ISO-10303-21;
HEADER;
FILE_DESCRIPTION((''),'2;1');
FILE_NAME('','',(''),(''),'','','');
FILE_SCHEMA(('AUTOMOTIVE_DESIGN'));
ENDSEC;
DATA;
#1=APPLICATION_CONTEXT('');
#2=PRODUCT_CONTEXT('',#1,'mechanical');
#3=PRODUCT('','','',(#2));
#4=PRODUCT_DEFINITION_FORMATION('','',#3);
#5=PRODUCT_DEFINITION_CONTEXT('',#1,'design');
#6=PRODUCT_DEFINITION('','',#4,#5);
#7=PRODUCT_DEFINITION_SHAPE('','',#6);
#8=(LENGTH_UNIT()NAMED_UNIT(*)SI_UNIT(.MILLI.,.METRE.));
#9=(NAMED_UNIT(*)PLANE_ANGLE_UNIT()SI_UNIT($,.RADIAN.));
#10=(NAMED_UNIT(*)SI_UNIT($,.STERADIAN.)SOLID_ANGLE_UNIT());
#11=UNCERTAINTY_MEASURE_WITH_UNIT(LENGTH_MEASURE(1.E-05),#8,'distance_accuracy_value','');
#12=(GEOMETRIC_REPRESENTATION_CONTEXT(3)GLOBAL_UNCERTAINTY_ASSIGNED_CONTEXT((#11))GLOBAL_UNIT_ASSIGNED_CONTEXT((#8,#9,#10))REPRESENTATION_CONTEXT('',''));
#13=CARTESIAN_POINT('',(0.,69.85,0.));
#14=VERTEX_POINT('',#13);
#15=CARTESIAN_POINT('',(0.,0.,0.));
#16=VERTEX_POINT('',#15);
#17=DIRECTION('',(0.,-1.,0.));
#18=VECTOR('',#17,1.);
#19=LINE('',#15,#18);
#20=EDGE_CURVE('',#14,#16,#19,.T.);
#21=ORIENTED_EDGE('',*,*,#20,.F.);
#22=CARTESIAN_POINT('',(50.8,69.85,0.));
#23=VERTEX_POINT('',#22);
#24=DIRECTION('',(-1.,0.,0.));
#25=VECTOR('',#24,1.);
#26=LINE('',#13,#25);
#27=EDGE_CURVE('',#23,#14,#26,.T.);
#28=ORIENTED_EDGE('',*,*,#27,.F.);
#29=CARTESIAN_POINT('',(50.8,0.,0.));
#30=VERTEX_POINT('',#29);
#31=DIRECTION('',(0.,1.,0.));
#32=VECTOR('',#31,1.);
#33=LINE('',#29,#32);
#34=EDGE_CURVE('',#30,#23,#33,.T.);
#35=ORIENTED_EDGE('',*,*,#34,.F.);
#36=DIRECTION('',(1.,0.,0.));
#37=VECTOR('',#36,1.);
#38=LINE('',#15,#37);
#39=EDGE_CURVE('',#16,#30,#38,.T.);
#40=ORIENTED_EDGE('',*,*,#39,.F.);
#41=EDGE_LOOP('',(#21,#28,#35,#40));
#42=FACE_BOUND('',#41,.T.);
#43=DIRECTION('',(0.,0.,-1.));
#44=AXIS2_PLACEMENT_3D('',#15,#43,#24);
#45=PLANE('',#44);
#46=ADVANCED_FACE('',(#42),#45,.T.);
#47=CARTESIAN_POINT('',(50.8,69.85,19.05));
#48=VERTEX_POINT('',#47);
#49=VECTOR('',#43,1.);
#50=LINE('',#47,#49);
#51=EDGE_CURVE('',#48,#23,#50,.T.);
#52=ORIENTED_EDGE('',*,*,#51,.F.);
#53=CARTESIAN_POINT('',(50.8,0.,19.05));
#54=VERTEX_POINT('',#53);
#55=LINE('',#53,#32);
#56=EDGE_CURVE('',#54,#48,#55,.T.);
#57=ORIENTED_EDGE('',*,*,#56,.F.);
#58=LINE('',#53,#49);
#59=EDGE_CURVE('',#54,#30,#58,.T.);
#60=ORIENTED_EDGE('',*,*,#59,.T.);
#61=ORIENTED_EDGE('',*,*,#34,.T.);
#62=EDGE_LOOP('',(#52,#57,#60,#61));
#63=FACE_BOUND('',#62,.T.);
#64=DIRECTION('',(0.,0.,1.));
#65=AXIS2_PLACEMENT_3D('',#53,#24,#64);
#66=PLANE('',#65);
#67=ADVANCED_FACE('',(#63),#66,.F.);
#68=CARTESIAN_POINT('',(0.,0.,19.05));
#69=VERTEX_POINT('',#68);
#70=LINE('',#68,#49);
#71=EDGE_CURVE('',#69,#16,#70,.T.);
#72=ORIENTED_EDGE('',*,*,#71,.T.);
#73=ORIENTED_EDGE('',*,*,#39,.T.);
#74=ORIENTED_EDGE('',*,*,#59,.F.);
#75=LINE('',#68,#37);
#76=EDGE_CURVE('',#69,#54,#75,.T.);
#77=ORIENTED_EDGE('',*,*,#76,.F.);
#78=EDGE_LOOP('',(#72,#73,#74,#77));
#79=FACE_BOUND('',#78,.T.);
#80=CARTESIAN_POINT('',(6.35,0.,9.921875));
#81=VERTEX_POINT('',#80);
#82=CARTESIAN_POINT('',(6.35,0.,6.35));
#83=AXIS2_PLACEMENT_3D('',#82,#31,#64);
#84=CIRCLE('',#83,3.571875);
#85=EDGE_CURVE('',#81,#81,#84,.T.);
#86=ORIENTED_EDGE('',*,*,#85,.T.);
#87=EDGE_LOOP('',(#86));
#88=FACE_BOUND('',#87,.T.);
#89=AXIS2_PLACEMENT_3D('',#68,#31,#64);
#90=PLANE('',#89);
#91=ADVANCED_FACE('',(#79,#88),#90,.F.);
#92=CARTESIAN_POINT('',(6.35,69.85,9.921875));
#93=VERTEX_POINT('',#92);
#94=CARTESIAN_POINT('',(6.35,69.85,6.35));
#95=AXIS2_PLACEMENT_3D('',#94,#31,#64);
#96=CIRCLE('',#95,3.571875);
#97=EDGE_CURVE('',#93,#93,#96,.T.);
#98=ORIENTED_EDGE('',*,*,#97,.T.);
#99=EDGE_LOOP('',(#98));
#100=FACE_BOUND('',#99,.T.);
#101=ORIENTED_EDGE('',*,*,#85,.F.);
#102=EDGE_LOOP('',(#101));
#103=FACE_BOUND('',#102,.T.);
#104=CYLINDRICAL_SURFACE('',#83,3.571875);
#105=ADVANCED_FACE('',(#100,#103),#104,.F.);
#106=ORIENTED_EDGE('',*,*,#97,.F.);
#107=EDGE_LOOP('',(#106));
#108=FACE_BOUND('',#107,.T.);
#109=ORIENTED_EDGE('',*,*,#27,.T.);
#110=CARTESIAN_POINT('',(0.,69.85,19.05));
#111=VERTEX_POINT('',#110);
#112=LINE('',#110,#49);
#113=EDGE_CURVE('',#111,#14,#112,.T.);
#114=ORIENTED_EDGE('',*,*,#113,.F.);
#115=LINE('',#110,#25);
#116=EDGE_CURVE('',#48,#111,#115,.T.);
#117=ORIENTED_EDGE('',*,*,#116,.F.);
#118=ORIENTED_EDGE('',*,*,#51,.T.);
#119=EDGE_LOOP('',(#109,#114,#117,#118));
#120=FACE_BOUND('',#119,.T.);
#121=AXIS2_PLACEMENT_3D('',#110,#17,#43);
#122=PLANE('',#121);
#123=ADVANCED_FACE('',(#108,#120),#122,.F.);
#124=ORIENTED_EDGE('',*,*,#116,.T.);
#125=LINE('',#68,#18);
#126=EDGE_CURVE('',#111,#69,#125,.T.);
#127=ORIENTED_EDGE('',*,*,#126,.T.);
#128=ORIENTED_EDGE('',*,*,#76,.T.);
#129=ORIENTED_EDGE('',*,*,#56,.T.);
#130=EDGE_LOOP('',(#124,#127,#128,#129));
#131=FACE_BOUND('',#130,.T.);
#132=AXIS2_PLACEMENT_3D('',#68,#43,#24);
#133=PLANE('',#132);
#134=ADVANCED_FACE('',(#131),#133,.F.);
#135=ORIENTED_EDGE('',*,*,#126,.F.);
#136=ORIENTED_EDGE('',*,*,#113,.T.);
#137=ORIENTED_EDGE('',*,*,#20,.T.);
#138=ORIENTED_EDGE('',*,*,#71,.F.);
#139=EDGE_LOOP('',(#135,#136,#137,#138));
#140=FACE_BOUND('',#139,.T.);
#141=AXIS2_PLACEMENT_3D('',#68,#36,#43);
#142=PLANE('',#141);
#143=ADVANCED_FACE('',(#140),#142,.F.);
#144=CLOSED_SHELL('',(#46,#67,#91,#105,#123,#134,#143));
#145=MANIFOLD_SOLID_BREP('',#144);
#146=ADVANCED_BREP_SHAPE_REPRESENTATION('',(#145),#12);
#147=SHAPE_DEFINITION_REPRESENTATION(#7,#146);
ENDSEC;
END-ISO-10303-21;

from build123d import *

# Parameters (mm, degrees)
SKETCH1_W           = 50.8
SKETCH1_H           = 69.85
BOSS_EXTRUDE1_DEPTH = 19.05
SKETCH2_R           = 3.571875
CUT_EXTRUDE1_DEPTH  = 70.85


with BuildPart() as part:
    # Sketch1 → Boss-Extrude1 (new body)
    with BuildSketch(Plane.XY):
        with Locations((25.4, 34.925)):
            Rectangle(SKETCH1_W, SKETCH1_H)
    extrude(amount=BOSS_EXTRUDE1_DEPTH)

    # Sketch2 → Cut-Extrude1 (cut, through all)
    with BuildSketch(Plane(origin=(0, 69.85, 0), x_dir=(1, 0, 0), z_dir=(0, 1, 0))):
        with Locations((6.35, -6.35)):
            Circle(SKETCH2_R)
    extrude(amount=-CUT_EXTRUDE1_DEPTH, mode=Mode.SUBTRACT)


solid = part.part
